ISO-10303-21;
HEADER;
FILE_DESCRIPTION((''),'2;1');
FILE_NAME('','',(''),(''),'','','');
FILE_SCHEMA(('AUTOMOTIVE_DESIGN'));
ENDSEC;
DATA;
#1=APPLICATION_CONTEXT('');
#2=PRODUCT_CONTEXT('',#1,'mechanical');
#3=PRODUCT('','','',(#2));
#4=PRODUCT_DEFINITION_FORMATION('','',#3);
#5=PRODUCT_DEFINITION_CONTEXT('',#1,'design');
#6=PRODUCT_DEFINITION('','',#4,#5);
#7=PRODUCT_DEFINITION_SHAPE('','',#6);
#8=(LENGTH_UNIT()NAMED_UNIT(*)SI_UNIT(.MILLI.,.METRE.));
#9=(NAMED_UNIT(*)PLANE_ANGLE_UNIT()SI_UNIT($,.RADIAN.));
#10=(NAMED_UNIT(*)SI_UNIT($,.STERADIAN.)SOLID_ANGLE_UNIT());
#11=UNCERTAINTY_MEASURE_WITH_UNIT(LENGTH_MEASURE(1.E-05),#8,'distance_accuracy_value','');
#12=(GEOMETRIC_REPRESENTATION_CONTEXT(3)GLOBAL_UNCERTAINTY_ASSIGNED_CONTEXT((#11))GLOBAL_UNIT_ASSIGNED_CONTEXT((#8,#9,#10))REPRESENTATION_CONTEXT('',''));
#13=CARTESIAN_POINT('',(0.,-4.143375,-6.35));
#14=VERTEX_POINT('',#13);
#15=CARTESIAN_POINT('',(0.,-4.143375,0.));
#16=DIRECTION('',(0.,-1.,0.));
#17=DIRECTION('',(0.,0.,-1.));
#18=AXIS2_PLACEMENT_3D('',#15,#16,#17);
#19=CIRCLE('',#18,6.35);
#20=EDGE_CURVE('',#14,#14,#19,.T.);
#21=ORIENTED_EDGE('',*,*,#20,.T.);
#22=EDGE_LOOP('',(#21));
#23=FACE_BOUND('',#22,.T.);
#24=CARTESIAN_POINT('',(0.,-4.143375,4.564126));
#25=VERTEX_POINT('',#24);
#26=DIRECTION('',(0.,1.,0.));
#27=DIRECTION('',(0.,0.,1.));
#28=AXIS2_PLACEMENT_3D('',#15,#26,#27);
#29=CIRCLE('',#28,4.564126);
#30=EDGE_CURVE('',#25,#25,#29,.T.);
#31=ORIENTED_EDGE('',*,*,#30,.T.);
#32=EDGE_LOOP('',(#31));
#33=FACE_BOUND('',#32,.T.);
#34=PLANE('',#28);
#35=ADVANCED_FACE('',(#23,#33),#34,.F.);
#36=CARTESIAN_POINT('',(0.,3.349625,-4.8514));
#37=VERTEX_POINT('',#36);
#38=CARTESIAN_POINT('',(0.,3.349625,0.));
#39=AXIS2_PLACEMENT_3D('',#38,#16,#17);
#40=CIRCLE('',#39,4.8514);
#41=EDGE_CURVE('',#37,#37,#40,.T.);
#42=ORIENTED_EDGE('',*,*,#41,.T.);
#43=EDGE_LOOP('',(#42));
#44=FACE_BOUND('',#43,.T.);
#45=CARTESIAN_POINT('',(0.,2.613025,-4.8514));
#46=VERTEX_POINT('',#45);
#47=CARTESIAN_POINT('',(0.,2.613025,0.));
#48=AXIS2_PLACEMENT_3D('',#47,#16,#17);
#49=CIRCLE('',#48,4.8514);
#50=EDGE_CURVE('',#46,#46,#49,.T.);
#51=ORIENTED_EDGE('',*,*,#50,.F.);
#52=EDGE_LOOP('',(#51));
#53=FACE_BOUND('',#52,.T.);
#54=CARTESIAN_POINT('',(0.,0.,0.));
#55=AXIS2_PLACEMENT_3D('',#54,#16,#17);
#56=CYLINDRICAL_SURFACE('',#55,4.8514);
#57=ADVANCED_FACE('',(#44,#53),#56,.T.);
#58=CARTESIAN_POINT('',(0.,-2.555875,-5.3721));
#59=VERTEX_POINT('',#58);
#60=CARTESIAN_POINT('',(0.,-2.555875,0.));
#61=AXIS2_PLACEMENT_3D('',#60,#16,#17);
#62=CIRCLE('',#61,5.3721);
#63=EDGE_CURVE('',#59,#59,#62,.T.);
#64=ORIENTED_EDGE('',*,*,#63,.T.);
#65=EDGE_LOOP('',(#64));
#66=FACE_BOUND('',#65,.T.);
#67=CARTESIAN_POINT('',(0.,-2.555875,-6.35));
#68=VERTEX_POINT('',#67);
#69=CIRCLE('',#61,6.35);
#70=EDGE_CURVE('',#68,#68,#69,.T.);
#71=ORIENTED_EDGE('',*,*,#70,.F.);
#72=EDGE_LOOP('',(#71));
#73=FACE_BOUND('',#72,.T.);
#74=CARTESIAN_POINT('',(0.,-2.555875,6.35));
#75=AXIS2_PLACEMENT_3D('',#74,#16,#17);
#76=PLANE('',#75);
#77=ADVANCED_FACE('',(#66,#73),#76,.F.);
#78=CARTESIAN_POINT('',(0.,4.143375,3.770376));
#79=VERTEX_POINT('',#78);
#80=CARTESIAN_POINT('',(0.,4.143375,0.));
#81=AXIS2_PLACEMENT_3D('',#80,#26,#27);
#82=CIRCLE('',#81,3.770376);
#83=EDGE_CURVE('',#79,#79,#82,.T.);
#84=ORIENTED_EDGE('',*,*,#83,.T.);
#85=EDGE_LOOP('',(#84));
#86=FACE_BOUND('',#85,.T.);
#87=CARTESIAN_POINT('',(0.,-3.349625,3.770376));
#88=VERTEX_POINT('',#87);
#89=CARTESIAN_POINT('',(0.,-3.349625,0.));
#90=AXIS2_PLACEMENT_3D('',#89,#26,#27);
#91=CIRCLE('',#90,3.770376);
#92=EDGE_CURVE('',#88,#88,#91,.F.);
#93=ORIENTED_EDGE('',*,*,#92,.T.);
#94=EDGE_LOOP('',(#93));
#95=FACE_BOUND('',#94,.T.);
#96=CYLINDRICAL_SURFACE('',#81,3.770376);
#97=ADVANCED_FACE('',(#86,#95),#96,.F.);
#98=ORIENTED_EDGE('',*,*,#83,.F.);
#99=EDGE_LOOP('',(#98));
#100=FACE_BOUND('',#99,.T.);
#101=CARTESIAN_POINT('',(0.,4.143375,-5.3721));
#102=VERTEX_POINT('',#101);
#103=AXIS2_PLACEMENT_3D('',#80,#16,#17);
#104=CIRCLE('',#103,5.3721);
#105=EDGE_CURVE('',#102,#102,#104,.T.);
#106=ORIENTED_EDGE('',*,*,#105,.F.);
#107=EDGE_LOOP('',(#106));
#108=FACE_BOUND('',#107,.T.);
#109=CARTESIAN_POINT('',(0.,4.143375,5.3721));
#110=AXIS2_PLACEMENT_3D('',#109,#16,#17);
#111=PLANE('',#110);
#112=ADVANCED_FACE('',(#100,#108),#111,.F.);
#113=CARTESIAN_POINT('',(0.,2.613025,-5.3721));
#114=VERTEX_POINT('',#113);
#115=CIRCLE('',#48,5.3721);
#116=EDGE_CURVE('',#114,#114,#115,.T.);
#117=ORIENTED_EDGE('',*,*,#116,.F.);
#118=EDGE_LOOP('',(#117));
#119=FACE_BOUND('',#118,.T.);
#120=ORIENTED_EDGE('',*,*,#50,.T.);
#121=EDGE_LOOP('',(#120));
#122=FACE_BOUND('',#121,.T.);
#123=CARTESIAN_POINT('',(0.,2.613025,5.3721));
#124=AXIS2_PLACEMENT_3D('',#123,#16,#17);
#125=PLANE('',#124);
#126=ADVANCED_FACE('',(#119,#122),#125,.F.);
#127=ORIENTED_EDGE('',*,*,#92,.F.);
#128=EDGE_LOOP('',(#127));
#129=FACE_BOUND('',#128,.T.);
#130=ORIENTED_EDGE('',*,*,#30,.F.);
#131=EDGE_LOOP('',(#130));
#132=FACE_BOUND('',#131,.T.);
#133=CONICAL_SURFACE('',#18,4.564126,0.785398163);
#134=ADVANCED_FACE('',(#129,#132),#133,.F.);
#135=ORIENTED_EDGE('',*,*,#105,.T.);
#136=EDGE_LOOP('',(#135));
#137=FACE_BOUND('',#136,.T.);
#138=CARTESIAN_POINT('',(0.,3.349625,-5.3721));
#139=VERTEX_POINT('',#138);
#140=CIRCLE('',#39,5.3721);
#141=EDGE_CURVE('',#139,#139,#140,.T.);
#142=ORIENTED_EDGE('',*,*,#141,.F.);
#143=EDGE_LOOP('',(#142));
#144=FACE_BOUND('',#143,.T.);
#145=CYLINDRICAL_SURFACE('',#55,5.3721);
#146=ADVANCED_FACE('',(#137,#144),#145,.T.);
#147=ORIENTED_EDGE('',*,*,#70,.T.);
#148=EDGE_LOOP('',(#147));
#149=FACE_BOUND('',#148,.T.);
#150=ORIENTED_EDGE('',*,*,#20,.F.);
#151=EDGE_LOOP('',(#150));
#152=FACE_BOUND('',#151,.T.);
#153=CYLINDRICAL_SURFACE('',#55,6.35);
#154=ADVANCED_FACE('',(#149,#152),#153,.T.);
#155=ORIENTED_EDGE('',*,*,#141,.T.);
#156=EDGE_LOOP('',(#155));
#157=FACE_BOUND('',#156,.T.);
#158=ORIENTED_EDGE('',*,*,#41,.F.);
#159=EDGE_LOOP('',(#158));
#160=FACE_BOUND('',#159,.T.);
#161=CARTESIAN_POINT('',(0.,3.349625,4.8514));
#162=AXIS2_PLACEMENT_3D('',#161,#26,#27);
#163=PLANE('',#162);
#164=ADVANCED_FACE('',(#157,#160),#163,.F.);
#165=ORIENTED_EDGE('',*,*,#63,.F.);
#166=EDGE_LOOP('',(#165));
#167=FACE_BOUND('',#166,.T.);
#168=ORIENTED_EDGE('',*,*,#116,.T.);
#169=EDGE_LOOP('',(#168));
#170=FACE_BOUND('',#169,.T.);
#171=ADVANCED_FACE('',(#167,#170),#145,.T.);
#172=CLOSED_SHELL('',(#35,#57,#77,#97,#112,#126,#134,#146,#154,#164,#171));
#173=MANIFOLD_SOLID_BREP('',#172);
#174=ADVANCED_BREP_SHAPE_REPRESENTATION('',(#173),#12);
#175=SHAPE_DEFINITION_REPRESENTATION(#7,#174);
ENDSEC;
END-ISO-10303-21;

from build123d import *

# Parameters (mm, degrees)
F_19_64_0_29688_DIAMETER_HOLE1_D     = 7.540752
F_19_64_0_29688_DIAMETER_HOLE1_DEPTH = 8.382
F_19_64_0_29688_DIAMETER_HOLE1_TIP   = 2.265470457
CHAMFER1_SIZE                        = 0.79375


with BuildPart() as part:
    # Sketch1 → Revolve1 (revolve)
    with BuildSketch(Plane(origin=(0, 0, 0), x_dir=(0, 0, -1), z_dir=(1, 0, 0))):
        Polygon((0, -4.143375), (-6.35, -4.143375), (-6.35, -2.555875), (-5.3721, -2.555875), (-5.3721, 2.613025), (-4.8514, 2.613025), (-4.8514, 3.349625), (-5.3721, 3.349625), (-5.3721, 4.143375), (0, 4.143375), align=None)
    revolve(axis=Axis((0, 0, 0), (0, 1, 0)))

    # 19/64 (0.29688) Diameter Hole1
    with Locations(Plane(origin=(0, 4.143375, 0), x_dir=(1, 0, 0), z_dir=(0, 1, 0))):
        with Locations((0, 0)):
            Hole(F_19_64_0_29688_DIAMETER_HOLE1_D / 2, depth=F_19_64_0_29688_DIAMETER_HOLE1_DEPTH)
            with Locations((0, 0, -(F_19_64_0_29688_DIAMETER_HOLE1_DEPTH + F_19_64_0_29688_DIAMETER_HOLE1_TIP / 2))):  # 118° drill point
                Cone(0, F_19_64_0_29688_DIAMETER_HOLE1_D / 2, F_19_64_0_29688_DIAMETER_HOLE1_TIP, mode=Mode.SUBTRACT)

    # Chamfer1
    chamfer1_edges = [part.edges().sort_by_distance(p)[0] for p in [
        (3.770376, -4.143375, 0),
    ]]
    chamfer(chamfer1_edges, length=CHAMFER1_SIZE)


solid = part.part
